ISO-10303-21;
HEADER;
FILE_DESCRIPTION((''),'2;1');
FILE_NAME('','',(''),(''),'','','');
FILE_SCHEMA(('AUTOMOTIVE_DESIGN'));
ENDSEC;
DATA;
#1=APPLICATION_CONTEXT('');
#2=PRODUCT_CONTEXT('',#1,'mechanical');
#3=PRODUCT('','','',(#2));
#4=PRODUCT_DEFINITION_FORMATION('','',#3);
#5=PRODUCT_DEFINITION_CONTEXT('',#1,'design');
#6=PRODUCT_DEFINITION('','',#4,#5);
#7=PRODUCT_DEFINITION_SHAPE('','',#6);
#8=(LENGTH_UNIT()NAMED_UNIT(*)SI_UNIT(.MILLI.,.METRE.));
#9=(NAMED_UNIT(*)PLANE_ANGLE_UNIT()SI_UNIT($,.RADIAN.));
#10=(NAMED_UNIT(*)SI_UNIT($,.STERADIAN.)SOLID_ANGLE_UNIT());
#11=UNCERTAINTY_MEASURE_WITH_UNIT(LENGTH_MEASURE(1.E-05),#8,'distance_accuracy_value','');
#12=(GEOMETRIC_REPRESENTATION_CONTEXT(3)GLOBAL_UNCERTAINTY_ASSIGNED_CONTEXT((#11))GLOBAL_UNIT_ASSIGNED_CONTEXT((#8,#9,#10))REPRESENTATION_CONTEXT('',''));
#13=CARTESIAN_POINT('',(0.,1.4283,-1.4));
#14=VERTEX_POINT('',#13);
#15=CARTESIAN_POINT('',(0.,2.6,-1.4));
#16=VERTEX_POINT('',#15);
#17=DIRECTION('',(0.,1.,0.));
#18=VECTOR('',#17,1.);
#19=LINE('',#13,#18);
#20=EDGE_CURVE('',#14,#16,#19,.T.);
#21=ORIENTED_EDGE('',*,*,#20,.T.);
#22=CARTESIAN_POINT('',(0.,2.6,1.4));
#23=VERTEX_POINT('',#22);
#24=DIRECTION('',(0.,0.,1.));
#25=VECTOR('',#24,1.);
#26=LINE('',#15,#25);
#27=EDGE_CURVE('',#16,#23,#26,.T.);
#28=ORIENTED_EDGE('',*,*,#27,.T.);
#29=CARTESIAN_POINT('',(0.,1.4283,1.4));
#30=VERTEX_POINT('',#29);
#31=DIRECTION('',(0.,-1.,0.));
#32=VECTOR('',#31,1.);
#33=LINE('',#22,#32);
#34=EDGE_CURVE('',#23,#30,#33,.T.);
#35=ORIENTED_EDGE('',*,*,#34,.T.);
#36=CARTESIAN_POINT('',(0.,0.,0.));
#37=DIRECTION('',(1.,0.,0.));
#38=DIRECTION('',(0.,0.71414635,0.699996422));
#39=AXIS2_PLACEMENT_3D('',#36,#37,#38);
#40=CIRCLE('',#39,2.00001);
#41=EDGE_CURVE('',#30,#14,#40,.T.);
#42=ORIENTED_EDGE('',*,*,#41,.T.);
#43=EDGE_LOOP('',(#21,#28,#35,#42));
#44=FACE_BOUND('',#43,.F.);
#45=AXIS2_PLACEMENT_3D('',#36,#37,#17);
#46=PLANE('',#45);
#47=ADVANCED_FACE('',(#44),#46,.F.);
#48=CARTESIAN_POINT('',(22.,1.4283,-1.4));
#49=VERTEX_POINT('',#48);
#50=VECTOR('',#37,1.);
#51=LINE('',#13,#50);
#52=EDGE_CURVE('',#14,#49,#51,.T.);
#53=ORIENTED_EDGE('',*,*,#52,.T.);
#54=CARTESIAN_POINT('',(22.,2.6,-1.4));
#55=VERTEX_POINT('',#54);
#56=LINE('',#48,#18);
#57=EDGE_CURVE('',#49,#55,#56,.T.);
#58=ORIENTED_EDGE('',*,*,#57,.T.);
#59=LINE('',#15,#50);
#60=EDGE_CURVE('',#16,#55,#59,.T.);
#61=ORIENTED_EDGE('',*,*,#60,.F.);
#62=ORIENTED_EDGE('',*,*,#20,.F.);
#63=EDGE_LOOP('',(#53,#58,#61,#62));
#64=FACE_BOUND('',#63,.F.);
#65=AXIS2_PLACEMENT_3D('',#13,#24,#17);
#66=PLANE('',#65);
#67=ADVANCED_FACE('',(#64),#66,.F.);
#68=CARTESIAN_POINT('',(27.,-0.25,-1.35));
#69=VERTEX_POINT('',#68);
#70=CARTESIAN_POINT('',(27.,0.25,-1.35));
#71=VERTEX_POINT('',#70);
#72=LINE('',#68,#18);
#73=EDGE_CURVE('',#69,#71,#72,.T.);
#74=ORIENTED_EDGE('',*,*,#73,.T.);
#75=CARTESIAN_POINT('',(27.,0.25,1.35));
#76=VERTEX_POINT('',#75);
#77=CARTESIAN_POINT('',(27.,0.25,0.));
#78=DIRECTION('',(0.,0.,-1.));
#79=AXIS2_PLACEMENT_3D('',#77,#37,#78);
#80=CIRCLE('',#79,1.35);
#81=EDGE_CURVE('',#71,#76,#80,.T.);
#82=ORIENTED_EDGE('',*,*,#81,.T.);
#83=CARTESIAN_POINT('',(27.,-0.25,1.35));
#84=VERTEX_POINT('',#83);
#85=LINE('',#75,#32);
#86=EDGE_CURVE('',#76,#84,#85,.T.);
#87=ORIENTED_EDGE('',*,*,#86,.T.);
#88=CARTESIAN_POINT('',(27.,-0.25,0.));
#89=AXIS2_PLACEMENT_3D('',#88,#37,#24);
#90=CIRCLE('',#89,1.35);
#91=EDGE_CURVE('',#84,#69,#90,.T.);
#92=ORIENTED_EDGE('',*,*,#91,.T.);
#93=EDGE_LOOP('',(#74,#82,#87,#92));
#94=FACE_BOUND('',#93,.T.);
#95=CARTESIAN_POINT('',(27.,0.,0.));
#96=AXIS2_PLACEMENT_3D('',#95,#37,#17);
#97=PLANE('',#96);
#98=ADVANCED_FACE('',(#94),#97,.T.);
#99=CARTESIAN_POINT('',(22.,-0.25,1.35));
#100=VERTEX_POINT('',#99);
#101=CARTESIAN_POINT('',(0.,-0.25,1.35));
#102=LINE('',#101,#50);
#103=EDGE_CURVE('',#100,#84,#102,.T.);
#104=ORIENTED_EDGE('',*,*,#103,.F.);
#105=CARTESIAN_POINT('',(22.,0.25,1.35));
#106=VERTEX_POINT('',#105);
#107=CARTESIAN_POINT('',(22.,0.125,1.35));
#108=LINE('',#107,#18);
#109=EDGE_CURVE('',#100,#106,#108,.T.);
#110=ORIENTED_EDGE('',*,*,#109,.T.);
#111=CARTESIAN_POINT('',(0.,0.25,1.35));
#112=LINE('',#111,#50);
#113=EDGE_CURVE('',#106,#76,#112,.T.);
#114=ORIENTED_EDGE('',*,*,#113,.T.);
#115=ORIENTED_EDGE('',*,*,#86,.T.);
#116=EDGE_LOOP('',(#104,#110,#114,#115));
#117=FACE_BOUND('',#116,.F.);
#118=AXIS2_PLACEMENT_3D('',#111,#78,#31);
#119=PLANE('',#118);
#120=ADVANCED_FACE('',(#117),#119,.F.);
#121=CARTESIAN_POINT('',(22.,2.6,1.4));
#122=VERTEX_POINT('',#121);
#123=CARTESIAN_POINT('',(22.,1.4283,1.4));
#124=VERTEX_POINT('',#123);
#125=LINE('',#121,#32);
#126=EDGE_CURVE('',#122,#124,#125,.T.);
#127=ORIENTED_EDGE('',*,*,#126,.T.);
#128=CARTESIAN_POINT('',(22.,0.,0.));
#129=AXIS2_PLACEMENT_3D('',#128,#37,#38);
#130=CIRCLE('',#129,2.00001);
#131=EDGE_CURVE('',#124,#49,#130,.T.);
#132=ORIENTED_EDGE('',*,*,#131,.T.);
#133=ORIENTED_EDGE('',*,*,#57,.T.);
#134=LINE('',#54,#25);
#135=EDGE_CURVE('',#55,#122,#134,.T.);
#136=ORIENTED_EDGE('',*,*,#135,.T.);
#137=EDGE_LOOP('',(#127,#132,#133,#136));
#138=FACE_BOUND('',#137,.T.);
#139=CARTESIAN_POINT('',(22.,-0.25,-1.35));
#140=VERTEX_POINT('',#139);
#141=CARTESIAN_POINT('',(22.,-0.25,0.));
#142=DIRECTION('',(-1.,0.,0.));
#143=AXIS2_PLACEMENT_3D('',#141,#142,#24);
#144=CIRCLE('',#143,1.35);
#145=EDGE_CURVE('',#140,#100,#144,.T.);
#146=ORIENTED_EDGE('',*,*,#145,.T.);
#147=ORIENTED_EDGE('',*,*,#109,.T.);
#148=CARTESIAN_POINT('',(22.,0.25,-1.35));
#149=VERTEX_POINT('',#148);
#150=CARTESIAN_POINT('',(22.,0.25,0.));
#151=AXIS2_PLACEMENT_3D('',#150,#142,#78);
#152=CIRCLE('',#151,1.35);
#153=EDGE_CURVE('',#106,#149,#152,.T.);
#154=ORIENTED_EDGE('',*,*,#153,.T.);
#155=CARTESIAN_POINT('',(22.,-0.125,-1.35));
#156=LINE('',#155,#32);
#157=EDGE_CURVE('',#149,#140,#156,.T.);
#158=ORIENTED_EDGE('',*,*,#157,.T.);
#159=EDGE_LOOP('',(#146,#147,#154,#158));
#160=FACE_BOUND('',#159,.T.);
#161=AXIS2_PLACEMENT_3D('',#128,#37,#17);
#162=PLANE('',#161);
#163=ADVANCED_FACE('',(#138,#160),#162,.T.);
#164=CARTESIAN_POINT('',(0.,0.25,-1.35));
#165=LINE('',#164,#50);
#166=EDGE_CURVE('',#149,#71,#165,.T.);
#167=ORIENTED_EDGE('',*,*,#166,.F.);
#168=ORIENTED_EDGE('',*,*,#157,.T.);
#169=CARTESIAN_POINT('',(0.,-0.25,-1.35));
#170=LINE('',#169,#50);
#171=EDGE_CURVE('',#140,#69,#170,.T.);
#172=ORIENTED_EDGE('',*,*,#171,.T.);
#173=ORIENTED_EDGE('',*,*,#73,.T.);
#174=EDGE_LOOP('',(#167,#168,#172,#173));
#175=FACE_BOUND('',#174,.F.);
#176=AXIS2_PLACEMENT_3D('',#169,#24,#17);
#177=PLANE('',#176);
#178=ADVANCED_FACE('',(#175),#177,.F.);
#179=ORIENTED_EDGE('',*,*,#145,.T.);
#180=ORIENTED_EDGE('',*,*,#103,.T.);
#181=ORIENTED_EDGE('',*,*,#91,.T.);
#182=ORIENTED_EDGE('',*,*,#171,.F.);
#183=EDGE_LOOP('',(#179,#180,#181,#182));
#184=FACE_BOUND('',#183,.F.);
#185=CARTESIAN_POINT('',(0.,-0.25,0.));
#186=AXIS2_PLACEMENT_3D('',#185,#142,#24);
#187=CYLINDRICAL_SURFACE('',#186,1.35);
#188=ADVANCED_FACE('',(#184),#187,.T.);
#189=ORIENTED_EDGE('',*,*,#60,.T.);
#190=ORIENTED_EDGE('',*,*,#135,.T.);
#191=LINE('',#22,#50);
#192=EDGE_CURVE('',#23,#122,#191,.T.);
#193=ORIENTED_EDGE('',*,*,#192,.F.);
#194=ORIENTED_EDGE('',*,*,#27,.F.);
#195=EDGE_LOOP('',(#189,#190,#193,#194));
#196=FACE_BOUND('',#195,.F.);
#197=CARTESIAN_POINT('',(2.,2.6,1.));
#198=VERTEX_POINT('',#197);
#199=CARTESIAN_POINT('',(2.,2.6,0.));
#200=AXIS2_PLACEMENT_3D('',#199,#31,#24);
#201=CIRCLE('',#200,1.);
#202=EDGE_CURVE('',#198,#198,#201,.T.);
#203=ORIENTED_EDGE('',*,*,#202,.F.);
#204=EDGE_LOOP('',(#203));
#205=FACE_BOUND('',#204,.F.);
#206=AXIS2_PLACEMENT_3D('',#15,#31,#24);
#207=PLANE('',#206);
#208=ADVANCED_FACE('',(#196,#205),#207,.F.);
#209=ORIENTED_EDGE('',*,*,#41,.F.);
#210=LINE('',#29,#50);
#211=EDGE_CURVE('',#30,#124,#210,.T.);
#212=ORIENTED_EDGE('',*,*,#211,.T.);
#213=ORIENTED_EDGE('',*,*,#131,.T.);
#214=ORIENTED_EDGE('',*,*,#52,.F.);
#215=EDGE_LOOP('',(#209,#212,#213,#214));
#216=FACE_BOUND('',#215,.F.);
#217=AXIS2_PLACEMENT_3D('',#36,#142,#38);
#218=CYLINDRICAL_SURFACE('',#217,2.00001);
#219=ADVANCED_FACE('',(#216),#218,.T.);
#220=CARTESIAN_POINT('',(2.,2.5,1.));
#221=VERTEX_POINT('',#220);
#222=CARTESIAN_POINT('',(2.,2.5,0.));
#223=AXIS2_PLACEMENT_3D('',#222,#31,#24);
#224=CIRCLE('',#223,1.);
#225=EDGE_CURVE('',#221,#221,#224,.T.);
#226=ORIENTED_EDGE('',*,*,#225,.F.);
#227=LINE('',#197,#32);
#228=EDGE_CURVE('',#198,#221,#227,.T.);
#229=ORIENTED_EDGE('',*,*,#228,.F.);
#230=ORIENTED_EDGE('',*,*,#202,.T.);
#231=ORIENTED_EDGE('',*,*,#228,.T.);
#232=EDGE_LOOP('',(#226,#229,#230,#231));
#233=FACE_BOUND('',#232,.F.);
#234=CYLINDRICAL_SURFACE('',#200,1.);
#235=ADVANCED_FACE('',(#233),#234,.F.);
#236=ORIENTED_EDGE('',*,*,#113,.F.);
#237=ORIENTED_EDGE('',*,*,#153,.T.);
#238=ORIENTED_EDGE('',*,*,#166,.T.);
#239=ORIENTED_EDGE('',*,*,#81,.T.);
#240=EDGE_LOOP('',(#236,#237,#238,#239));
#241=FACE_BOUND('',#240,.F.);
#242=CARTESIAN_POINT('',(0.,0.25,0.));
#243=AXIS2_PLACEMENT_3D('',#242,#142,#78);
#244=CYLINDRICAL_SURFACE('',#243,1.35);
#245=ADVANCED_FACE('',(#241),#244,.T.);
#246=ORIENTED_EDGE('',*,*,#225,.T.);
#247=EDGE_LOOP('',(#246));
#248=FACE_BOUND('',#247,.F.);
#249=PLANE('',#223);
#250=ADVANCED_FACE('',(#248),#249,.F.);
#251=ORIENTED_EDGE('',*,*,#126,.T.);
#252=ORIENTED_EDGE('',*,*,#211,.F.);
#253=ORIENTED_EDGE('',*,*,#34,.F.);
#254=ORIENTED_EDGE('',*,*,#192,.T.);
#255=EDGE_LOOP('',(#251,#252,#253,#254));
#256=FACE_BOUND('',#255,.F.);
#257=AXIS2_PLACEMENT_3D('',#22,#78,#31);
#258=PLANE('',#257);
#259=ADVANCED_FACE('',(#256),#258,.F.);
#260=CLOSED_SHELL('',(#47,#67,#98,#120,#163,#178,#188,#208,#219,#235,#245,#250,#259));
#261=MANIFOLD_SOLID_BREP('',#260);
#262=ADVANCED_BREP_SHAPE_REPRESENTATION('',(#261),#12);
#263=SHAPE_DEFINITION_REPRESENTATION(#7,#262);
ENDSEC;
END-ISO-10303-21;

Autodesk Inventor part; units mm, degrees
sketch "Sketch_12" plane through (0, 0, 0) normal (1, 0, 0) x (0, 1, 0)
  arc A0 (1.4283, 1.4) -> (1.4283, -1.4) centre (0, 0) ccw
  line L0 (1.4283, -1.4) -> (2.6, -1.4)
  line L1 (2.6, -1.4) -> (2.6, 1.4)
  line L2 (2.6, 1.4) -> (1.4283, 1.4)
extrude "Extrusion1" add sketch "Sketch_12" along normal blind 22
sketch "Sketch_13" plane through (0, 0, 0) normal (1, 0, 0) x (0, 1, 0)
  line L0 (0.25, 1.35) -> (-0.25, 1.35)
  arc A0 (-0.25, 1.35) -> (-0.25, -1.35) centre (-0.25, 0) ccw
  line L1 (-0.25, -1.35) -> (0.25, -1.35)
  arc A1 (0.25, -1.35) -> (0.25, 1.35) centre (0.25, 0) ccw
extrude "Extrusion2" add sketch "Sketch_13" along normal blind 27
sketch "Sketch3" plane through (0, 2.6, 1.4) normal (0, 1, 0) x (1, 0, 0)
  point P0 (2, 1.4)
hole "Hole1" at (2, 2.6, 0) direction (0, -1, 0) diameter 2 depth 0.1
ref_plane "SW_SM_XY" through (0, 0, 0) normal (1, 0, 0) x (0, 0, -1)
ref_plane "SW_SM_YZ" through (0, 0, 0) normal (0, 0, -1) x (0, 1, 0)
ref_plane "SW_SM_ZX" through (0, 0, 0) normal (0, 1, 0) x (1, 0, 0)
properties part number "CP96-M9P_SW" material "Stainless Steel, Polished"
